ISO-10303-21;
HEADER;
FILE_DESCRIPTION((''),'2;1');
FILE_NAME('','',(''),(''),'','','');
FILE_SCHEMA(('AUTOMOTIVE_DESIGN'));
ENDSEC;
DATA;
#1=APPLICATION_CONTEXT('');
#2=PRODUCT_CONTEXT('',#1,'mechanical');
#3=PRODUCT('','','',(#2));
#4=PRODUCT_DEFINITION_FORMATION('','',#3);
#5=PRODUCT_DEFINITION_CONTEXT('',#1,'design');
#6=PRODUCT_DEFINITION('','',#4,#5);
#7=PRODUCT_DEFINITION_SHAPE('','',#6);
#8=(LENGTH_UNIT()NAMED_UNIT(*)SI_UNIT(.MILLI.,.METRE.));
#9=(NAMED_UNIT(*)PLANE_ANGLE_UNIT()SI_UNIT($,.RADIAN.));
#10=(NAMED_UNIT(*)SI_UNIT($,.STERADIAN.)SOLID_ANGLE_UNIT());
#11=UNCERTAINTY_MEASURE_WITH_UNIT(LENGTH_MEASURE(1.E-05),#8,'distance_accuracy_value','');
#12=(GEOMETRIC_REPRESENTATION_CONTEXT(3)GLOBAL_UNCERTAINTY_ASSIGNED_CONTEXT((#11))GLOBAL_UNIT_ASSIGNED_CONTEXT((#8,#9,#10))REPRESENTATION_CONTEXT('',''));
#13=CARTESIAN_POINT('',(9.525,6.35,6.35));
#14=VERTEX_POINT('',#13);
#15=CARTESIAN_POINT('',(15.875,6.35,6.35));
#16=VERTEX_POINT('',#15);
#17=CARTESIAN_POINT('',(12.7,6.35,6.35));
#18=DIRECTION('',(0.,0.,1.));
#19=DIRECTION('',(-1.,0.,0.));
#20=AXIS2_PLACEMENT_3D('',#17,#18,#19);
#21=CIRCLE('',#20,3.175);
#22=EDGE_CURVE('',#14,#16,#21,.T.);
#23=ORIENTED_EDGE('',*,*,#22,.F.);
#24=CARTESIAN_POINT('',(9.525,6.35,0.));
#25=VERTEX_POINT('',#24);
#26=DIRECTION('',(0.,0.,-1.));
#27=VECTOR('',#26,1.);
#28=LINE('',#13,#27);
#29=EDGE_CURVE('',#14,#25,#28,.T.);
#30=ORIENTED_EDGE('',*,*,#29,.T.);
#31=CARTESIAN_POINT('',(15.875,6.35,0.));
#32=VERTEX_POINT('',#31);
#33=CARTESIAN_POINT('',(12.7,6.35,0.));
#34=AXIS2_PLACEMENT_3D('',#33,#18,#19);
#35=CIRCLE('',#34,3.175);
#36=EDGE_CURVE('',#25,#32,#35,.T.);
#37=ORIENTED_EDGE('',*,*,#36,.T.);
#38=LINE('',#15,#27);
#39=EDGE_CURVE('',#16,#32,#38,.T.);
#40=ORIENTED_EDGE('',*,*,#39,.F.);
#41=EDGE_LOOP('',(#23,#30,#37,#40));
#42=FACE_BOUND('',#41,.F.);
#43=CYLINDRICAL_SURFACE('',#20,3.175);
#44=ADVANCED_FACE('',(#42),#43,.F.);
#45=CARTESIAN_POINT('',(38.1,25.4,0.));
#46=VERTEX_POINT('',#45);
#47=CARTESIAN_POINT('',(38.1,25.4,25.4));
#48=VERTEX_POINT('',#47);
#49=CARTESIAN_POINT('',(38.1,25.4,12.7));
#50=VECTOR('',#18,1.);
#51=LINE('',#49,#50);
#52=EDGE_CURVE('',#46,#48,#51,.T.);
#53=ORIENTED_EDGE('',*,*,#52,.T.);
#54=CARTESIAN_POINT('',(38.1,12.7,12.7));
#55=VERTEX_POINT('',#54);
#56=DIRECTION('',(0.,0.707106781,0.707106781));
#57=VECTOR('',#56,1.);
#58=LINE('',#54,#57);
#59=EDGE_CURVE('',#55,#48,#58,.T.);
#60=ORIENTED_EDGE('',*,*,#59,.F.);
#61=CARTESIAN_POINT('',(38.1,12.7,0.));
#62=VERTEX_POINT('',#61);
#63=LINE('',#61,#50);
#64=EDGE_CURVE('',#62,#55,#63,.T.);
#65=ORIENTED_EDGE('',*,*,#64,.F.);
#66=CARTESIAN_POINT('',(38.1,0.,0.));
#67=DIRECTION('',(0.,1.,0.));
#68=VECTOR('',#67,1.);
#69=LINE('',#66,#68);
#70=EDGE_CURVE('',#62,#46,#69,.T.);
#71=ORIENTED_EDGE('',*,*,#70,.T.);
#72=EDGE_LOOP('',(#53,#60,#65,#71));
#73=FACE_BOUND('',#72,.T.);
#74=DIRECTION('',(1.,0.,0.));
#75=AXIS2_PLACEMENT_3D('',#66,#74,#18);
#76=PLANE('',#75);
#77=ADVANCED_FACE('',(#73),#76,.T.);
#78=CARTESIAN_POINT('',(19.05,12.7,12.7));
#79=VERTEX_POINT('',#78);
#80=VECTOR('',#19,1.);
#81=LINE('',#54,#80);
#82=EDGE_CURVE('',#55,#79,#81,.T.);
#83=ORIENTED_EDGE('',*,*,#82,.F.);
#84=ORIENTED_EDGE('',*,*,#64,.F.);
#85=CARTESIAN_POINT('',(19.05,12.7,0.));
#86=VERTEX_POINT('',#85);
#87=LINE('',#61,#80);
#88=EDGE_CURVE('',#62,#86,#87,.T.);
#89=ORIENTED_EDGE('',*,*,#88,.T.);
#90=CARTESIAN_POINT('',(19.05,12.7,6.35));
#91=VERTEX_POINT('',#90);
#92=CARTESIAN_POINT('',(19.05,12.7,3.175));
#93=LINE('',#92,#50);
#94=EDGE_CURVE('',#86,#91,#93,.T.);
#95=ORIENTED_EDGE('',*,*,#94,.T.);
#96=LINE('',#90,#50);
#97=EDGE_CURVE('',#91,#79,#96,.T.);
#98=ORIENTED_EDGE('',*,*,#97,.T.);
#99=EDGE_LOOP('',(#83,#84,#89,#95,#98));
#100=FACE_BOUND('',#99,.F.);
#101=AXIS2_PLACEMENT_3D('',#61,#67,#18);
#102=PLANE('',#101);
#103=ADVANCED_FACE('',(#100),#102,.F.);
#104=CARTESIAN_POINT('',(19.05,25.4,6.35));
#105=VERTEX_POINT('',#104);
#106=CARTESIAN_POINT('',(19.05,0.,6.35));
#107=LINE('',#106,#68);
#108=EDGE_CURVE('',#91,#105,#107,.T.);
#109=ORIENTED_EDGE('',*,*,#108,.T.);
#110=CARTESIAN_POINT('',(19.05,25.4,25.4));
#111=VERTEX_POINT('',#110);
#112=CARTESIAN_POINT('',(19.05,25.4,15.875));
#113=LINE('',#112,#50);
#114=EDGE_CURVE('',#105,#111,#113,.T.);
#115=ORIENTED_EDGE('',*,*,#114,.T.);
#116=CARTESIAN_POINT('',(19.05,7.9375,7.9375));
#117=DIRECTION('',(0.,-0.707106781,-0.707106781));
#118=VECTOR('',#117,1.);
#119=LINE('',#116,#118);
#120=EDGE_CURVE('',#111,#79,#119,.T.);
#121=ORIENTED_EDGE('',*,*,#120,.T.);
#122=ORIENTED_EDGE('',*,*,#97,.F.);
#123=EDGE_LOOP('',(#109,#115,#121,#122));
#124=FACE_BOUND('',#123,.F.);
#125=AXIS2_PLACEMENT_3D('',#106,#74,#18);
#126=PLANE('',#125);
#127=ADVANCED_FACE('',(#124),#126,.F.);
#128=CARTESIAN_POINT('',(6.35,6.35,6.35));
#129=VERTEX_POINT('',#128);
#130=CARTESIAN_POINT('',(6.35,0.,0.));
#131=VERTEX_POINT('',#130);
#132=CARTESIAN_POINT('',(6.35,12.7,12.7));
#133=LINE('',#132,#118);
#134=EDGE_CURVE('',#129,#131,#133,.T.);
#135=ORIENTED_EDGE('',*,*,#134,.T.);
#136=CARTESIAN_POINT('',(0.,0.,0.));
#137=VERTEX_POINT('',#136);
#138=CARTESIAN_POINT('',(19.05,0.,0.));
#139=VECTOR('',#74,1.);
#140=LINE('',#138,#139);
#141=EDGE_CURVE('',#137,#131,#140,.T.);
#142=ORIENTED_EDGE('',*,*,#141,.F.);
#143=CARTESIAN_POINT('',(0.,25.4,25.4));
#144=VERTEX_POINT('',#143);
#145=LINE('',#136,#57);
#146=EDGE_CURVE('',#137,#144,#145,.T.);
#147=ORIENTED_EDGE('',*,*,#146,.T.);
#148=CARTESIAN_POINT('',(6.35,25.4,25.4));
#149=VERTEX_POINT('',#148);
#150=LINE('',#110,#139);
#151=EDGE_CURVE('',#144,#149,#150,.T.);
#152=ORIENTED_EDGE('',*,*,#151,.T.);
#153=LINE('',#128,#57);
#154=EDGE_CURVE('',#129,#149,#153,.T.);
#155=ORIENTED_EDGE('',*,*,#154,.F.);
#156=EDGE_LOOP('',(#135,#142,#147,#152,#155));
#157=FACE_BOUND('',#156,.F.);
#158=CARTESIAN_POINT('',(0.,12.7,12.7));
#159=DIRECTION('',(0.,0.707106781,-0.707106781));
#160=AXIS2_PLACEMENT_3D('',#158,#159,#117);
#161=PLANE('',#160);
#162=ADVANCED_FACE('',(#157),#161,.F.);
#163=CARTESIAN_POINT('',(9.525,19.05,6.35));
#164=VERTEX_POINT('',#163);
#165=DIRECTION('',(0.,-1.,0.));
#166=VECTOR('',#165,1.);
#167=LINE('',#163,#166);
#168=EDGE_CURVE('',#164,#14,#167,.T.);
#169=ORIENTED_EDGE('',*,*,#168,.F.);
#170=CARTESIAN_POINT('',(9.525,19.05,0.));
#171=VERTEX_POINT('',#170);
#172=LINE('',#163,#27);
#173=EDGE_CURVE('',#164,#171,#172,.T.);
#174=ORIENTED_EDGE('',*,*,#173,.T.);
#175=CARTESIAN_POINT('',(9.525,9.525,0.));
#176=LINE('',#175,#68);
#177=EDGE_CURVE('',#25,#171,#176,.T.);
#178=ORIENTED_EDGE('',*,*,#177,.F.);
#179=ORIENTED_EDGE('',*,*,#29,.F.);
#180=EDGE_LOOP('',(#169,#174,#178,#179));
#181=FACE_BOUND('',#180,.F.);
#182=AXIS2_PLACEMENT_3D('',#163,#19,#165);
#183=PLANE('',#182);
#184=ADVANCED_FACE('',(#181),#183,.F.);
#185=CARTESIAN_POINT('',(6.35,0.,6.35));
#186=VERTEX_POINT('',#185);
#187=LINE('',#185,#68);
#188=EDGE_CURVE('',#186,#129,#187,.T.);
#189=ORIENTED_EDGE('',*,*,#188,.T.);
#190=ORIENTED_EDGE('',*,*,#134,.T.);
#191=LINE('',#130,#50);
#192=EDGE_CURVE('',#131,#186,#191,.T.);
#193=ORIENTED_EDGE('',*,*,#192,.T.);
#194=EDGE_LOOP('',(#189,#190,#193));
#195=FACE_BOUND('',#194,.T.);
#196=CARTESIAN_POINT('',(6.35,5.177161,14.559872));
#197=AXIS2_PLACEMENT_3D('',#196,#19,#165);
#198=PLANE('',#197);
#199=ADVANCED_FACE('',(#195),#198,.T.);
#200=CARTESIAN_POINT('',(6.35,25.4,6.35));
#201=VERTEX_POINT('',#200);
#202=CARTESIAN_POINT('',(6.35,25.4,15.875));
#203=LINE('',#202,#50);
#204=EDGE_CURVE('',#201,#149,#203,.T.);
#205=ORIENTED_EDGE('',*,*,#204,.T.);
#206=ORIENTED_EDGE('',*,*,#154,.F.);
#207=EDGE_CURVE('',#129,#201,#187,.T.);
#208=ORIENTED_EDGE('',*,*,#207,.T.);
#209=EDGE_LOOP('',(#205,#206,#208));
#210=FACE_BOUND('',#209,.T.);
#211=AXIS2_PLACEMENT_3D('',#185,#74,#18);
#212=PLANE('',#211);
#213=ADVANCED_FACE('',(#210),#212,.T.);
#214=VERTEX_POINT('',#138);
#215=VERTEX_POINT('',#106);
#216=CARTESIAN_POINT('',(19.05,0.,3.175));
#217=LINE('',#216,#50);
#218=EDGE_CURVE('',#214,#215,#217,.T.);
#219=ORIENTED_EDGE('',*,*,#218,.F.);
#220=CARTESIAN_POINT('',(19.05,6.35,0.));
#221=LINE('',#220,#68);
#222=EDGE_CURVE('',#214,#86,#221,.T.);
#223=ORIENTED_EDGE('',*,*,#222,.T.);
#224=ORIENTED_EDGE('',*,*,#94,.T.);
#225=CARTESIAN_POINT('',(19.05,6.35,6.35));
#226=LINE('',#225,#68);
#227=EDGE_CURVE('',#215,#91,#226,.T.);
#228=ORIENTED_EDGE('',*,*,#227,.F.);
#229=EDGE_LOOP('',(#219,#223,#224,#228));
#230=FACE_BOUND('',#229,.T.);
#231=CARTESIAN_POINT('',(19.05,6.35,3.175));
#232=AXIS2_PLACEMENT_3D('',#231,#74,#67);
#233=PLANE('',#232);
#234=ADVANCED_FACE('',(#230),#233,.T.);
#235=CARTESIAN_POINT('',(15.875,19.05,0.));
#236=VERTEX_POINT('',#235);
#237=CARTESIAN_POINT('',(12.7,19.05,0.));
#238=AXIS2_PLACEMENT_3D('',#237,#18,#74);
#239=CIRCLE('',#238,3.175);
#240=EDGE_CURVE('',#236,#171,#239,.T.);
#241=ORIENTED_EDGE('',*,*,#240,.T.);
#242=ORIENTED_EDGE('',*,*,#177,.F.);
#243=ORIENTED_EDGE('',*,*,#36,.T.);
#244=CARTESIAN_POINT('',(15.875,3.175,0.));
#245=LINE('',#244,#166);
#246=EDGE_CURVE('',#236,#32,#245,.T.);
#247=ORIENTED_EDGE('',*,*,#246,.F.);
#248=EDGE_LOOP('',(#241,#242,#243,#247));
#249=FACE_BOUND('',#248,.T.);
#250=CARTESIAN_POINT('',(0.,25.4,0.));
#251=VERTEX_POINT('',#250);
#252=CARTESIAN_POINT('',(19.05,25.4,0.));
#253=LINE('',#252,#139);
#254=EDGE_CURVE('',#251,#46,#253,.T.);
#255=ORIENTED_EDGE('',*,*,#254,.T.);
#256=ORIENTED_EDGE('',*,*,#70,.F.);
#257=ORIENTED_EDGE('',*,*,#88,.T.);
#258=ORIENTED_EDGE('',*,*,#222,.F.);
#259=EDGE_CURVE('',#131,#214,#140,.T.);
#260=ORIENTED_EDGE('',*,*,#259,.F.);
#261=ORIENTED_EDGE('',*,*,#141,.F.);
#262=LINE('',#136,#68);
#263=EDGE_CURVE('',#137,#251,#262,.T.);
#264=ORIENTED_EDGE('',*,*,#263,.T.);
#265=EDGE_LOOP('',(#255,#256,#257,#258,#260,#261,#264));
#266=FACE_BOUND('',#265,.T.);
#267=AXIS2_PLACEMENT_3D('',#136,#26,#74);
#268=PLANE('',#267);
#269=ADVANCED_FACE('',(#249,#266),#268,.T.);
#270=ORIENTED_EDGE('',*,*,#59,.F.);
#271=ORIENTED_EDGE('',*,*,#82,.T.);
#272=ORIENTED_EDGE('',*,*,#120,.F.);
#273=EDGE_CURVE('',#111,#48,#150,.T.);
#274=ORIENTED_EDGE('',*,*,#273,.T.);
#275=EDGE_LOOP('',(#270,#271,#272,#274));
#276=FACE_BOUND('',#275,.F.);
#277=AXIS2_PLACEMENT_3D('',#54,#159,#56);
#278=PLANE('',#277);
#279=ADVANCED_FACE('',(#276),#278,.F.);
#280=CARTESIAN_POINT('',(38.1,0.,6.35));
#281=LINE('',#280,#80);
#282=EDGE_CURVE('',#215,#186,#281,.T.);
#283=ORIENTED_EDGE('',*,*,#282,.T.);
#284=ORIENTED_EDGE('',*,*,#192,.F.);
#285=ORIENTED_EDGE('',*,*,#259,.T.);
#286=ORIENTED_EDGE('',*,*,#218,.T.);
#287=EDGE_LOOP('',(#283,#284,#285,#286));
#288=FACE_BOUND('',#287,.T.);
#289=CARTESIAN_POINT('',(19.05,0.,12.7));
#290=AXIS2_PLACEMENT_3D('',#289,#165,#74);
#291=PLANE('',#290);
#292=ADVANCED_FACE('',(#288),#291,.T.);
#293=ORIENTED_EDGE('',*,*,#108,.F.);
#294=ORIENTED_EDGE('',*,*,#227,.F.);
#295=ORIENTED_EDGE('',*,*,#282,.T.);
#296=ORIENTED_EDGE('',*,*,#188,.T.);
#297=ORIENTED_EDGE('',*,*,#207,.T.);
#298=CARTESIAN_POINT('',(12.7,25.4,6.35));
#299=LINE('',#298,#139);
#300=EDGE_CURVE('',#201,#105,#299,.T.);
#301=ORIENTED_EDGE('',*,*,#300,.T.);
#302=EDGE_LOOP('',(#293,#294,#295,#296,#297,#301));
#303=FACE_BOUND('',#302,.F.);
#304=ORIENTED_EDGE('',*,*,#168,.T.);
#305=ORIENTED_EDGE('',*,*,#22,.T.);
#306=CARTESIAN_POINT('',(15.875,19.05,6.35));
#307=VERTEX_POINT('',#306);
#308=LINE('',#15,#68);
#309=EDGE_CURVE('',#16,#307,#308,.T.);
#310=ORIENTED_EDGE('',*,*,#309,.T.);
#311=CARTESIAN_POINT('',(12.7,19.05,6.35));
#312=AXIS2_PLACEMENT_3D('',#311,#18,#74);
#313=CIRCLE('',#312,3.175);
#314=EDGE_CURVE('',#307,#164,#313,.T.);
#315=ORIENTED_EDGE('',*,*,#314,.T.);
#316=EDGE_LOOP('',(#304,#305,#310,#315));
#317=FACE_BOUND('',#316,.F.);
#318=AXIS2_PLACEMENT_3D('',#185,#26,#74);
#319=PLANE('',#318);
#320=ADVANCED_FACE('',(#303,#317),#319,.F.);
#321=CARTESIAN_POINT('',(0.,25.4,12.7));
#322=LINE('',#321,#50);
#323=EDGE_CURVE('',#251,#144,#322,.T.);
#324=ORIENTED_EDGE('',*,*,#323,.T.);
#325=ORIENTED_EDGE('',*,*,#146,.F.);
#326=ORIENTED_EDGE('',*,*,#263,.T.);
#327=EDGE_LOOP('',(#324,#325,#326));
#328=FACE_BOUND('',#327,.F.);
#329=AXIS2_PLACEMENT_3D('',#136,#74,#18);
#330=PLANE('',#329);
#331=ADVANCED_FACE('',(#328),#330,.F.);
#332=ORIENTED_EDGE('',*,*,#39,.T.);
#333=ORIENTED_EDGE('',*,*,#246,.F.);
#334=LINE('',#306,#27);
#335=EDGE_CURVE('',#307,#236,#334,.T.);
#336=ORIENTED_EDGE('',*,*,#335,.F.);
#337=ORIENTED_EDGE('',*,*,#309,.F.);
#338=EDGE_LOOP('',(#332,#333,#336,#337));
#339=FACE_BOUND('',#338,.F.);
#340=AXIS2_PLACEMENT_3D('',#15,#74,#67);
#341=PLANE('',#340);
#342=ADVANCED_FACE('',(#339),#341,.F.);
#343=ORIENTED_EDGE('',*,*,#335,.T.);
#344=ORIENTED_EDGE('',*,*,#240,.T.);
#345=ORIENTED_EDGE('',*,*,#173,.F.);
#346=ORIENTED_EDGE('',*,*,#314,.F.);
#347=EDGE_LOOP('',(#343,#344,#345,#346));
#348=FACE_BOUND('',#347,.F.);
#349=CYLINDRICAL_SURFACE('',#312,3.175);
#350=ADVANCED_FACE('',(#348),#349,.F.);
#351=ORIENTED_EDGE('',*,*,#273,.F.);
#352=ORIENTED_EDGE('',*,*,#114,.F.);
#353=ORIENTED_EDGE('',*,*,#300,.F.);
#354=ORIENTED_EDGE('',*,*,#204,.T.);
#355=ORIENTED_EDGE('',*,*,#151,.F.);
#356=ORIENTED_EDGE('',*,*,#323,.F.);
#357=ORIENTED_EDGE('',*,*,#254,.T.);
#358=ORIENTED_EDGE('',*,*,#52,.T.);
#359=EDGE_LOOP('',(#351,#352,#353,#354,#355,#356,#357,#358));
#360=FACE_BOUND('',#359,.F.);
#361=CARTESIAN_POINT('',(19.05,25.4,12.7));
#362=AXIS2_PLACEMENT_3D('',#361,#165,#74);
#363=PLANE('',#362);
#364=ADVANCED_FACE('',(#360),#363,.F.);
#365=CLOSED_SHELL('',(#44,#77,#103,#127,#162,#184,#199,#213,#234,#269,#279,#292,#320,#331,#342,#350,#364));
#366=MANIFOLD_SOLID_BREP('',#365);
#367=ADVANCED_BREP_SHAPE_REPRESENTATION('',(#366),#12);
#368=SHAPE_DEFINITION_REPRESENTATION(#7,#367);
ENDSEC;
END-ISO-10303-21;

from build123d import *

# Parameters (mm, degrees)
F0_W      = 38.1
F0_H      = 25.4
F1_DEPTH  = 25.4
F3_DEPTH  = 50.8
F4_DEPTH  = 19.05
F5_W      = 12.7
F5_H      = 19.05
F6_DEPTH  = 25.4
F8_DEPTH  = 6.35
F2_W      = 12.7
F2_H      = 6.35
F9_DEPTH  = 19.05
F11_DEPTH = 25.4


with BuildPart() as f1:
    # F0 (on Front) → F1 (new body)
    with BuildSketch(Plane.XZ):
        with Locations((19.05, 12.7)):
            Rectangle(F0_W, F0_H)
    extrude(amount=-F1_DEPTH)

    # F2 (on face) → F3 (cut)
    with BuildSketch(Plane.YZ.offset(38.1)):
        Polygon((25.4, 25.4), (12.7, 25.4), (12.7, 12.7), align=None)
    extrude(amount=-F3_DEPTH, mode=Mode.SUBTRACT)

    # F2 (on face) → F4 (cut)
    with BuildSketch(Plane.YZ.offset(38.1)):
        Polygon((12.7, 12.7), (12.7, 25.4), (0, 25.4), (0, 6.35), (12.7, 6.35), align=None)
    extrude(amount=-F4_DEPTH, mode=Mode.SUBTRACT)

    # F5 (on face) → F6 (cut)
    with BuildSketch(Plane.XZ):
        with Locations((12.7, 15.875)):
            Rectangle(F5_W, F5_H)
    extrude(amount=-F6_DEPTH, mode=Mode.SUBTRACT)

    # F7 (on face) → F8 (cut)
    with BuildSketch(Plane(origin=(0, 0, 0), x_dir=(0, -1, 0), z_dir=(-1, 0, 0))):
        Polygon((-12.7, 25.4), (-12.7, 12.7), (0, 0), (0, 25.4), align=None)
    extrude(amount=-F8_DEPTH, mode=Mode.SUBTRACT)

    # F2 (on face) → F9 (cut)
    with BuildSketch(Plane.YZ.offset(38.1)):
        with Locations((6.35, 3.175)):
            Rectangle(F2_W, F2_H)
    extrude(amount=-F9_DEPTH, mode=Mode.SUBTRACT)

    # F10 (on face) → F11 (cut)
    with BuildSketch(Plane.XY.offset(6.35)):
        with BuildLine():
            ThreePointArc((15.875, 19.05), (12.7, 22.225), (9.525, 19.05))
            Line((9.525, 19.05), (9.525, 6.35))
            ThreePointArc((9.525, 6.35), (12.7, 3.175), (15.875, 6.35))
            Line((15.875, 6.35), (15.875, 19.05))
        make_face()
    extrude(amount=-F11_DEPTH, mode=Mode.SUBTRACT)


solid = f1.part
